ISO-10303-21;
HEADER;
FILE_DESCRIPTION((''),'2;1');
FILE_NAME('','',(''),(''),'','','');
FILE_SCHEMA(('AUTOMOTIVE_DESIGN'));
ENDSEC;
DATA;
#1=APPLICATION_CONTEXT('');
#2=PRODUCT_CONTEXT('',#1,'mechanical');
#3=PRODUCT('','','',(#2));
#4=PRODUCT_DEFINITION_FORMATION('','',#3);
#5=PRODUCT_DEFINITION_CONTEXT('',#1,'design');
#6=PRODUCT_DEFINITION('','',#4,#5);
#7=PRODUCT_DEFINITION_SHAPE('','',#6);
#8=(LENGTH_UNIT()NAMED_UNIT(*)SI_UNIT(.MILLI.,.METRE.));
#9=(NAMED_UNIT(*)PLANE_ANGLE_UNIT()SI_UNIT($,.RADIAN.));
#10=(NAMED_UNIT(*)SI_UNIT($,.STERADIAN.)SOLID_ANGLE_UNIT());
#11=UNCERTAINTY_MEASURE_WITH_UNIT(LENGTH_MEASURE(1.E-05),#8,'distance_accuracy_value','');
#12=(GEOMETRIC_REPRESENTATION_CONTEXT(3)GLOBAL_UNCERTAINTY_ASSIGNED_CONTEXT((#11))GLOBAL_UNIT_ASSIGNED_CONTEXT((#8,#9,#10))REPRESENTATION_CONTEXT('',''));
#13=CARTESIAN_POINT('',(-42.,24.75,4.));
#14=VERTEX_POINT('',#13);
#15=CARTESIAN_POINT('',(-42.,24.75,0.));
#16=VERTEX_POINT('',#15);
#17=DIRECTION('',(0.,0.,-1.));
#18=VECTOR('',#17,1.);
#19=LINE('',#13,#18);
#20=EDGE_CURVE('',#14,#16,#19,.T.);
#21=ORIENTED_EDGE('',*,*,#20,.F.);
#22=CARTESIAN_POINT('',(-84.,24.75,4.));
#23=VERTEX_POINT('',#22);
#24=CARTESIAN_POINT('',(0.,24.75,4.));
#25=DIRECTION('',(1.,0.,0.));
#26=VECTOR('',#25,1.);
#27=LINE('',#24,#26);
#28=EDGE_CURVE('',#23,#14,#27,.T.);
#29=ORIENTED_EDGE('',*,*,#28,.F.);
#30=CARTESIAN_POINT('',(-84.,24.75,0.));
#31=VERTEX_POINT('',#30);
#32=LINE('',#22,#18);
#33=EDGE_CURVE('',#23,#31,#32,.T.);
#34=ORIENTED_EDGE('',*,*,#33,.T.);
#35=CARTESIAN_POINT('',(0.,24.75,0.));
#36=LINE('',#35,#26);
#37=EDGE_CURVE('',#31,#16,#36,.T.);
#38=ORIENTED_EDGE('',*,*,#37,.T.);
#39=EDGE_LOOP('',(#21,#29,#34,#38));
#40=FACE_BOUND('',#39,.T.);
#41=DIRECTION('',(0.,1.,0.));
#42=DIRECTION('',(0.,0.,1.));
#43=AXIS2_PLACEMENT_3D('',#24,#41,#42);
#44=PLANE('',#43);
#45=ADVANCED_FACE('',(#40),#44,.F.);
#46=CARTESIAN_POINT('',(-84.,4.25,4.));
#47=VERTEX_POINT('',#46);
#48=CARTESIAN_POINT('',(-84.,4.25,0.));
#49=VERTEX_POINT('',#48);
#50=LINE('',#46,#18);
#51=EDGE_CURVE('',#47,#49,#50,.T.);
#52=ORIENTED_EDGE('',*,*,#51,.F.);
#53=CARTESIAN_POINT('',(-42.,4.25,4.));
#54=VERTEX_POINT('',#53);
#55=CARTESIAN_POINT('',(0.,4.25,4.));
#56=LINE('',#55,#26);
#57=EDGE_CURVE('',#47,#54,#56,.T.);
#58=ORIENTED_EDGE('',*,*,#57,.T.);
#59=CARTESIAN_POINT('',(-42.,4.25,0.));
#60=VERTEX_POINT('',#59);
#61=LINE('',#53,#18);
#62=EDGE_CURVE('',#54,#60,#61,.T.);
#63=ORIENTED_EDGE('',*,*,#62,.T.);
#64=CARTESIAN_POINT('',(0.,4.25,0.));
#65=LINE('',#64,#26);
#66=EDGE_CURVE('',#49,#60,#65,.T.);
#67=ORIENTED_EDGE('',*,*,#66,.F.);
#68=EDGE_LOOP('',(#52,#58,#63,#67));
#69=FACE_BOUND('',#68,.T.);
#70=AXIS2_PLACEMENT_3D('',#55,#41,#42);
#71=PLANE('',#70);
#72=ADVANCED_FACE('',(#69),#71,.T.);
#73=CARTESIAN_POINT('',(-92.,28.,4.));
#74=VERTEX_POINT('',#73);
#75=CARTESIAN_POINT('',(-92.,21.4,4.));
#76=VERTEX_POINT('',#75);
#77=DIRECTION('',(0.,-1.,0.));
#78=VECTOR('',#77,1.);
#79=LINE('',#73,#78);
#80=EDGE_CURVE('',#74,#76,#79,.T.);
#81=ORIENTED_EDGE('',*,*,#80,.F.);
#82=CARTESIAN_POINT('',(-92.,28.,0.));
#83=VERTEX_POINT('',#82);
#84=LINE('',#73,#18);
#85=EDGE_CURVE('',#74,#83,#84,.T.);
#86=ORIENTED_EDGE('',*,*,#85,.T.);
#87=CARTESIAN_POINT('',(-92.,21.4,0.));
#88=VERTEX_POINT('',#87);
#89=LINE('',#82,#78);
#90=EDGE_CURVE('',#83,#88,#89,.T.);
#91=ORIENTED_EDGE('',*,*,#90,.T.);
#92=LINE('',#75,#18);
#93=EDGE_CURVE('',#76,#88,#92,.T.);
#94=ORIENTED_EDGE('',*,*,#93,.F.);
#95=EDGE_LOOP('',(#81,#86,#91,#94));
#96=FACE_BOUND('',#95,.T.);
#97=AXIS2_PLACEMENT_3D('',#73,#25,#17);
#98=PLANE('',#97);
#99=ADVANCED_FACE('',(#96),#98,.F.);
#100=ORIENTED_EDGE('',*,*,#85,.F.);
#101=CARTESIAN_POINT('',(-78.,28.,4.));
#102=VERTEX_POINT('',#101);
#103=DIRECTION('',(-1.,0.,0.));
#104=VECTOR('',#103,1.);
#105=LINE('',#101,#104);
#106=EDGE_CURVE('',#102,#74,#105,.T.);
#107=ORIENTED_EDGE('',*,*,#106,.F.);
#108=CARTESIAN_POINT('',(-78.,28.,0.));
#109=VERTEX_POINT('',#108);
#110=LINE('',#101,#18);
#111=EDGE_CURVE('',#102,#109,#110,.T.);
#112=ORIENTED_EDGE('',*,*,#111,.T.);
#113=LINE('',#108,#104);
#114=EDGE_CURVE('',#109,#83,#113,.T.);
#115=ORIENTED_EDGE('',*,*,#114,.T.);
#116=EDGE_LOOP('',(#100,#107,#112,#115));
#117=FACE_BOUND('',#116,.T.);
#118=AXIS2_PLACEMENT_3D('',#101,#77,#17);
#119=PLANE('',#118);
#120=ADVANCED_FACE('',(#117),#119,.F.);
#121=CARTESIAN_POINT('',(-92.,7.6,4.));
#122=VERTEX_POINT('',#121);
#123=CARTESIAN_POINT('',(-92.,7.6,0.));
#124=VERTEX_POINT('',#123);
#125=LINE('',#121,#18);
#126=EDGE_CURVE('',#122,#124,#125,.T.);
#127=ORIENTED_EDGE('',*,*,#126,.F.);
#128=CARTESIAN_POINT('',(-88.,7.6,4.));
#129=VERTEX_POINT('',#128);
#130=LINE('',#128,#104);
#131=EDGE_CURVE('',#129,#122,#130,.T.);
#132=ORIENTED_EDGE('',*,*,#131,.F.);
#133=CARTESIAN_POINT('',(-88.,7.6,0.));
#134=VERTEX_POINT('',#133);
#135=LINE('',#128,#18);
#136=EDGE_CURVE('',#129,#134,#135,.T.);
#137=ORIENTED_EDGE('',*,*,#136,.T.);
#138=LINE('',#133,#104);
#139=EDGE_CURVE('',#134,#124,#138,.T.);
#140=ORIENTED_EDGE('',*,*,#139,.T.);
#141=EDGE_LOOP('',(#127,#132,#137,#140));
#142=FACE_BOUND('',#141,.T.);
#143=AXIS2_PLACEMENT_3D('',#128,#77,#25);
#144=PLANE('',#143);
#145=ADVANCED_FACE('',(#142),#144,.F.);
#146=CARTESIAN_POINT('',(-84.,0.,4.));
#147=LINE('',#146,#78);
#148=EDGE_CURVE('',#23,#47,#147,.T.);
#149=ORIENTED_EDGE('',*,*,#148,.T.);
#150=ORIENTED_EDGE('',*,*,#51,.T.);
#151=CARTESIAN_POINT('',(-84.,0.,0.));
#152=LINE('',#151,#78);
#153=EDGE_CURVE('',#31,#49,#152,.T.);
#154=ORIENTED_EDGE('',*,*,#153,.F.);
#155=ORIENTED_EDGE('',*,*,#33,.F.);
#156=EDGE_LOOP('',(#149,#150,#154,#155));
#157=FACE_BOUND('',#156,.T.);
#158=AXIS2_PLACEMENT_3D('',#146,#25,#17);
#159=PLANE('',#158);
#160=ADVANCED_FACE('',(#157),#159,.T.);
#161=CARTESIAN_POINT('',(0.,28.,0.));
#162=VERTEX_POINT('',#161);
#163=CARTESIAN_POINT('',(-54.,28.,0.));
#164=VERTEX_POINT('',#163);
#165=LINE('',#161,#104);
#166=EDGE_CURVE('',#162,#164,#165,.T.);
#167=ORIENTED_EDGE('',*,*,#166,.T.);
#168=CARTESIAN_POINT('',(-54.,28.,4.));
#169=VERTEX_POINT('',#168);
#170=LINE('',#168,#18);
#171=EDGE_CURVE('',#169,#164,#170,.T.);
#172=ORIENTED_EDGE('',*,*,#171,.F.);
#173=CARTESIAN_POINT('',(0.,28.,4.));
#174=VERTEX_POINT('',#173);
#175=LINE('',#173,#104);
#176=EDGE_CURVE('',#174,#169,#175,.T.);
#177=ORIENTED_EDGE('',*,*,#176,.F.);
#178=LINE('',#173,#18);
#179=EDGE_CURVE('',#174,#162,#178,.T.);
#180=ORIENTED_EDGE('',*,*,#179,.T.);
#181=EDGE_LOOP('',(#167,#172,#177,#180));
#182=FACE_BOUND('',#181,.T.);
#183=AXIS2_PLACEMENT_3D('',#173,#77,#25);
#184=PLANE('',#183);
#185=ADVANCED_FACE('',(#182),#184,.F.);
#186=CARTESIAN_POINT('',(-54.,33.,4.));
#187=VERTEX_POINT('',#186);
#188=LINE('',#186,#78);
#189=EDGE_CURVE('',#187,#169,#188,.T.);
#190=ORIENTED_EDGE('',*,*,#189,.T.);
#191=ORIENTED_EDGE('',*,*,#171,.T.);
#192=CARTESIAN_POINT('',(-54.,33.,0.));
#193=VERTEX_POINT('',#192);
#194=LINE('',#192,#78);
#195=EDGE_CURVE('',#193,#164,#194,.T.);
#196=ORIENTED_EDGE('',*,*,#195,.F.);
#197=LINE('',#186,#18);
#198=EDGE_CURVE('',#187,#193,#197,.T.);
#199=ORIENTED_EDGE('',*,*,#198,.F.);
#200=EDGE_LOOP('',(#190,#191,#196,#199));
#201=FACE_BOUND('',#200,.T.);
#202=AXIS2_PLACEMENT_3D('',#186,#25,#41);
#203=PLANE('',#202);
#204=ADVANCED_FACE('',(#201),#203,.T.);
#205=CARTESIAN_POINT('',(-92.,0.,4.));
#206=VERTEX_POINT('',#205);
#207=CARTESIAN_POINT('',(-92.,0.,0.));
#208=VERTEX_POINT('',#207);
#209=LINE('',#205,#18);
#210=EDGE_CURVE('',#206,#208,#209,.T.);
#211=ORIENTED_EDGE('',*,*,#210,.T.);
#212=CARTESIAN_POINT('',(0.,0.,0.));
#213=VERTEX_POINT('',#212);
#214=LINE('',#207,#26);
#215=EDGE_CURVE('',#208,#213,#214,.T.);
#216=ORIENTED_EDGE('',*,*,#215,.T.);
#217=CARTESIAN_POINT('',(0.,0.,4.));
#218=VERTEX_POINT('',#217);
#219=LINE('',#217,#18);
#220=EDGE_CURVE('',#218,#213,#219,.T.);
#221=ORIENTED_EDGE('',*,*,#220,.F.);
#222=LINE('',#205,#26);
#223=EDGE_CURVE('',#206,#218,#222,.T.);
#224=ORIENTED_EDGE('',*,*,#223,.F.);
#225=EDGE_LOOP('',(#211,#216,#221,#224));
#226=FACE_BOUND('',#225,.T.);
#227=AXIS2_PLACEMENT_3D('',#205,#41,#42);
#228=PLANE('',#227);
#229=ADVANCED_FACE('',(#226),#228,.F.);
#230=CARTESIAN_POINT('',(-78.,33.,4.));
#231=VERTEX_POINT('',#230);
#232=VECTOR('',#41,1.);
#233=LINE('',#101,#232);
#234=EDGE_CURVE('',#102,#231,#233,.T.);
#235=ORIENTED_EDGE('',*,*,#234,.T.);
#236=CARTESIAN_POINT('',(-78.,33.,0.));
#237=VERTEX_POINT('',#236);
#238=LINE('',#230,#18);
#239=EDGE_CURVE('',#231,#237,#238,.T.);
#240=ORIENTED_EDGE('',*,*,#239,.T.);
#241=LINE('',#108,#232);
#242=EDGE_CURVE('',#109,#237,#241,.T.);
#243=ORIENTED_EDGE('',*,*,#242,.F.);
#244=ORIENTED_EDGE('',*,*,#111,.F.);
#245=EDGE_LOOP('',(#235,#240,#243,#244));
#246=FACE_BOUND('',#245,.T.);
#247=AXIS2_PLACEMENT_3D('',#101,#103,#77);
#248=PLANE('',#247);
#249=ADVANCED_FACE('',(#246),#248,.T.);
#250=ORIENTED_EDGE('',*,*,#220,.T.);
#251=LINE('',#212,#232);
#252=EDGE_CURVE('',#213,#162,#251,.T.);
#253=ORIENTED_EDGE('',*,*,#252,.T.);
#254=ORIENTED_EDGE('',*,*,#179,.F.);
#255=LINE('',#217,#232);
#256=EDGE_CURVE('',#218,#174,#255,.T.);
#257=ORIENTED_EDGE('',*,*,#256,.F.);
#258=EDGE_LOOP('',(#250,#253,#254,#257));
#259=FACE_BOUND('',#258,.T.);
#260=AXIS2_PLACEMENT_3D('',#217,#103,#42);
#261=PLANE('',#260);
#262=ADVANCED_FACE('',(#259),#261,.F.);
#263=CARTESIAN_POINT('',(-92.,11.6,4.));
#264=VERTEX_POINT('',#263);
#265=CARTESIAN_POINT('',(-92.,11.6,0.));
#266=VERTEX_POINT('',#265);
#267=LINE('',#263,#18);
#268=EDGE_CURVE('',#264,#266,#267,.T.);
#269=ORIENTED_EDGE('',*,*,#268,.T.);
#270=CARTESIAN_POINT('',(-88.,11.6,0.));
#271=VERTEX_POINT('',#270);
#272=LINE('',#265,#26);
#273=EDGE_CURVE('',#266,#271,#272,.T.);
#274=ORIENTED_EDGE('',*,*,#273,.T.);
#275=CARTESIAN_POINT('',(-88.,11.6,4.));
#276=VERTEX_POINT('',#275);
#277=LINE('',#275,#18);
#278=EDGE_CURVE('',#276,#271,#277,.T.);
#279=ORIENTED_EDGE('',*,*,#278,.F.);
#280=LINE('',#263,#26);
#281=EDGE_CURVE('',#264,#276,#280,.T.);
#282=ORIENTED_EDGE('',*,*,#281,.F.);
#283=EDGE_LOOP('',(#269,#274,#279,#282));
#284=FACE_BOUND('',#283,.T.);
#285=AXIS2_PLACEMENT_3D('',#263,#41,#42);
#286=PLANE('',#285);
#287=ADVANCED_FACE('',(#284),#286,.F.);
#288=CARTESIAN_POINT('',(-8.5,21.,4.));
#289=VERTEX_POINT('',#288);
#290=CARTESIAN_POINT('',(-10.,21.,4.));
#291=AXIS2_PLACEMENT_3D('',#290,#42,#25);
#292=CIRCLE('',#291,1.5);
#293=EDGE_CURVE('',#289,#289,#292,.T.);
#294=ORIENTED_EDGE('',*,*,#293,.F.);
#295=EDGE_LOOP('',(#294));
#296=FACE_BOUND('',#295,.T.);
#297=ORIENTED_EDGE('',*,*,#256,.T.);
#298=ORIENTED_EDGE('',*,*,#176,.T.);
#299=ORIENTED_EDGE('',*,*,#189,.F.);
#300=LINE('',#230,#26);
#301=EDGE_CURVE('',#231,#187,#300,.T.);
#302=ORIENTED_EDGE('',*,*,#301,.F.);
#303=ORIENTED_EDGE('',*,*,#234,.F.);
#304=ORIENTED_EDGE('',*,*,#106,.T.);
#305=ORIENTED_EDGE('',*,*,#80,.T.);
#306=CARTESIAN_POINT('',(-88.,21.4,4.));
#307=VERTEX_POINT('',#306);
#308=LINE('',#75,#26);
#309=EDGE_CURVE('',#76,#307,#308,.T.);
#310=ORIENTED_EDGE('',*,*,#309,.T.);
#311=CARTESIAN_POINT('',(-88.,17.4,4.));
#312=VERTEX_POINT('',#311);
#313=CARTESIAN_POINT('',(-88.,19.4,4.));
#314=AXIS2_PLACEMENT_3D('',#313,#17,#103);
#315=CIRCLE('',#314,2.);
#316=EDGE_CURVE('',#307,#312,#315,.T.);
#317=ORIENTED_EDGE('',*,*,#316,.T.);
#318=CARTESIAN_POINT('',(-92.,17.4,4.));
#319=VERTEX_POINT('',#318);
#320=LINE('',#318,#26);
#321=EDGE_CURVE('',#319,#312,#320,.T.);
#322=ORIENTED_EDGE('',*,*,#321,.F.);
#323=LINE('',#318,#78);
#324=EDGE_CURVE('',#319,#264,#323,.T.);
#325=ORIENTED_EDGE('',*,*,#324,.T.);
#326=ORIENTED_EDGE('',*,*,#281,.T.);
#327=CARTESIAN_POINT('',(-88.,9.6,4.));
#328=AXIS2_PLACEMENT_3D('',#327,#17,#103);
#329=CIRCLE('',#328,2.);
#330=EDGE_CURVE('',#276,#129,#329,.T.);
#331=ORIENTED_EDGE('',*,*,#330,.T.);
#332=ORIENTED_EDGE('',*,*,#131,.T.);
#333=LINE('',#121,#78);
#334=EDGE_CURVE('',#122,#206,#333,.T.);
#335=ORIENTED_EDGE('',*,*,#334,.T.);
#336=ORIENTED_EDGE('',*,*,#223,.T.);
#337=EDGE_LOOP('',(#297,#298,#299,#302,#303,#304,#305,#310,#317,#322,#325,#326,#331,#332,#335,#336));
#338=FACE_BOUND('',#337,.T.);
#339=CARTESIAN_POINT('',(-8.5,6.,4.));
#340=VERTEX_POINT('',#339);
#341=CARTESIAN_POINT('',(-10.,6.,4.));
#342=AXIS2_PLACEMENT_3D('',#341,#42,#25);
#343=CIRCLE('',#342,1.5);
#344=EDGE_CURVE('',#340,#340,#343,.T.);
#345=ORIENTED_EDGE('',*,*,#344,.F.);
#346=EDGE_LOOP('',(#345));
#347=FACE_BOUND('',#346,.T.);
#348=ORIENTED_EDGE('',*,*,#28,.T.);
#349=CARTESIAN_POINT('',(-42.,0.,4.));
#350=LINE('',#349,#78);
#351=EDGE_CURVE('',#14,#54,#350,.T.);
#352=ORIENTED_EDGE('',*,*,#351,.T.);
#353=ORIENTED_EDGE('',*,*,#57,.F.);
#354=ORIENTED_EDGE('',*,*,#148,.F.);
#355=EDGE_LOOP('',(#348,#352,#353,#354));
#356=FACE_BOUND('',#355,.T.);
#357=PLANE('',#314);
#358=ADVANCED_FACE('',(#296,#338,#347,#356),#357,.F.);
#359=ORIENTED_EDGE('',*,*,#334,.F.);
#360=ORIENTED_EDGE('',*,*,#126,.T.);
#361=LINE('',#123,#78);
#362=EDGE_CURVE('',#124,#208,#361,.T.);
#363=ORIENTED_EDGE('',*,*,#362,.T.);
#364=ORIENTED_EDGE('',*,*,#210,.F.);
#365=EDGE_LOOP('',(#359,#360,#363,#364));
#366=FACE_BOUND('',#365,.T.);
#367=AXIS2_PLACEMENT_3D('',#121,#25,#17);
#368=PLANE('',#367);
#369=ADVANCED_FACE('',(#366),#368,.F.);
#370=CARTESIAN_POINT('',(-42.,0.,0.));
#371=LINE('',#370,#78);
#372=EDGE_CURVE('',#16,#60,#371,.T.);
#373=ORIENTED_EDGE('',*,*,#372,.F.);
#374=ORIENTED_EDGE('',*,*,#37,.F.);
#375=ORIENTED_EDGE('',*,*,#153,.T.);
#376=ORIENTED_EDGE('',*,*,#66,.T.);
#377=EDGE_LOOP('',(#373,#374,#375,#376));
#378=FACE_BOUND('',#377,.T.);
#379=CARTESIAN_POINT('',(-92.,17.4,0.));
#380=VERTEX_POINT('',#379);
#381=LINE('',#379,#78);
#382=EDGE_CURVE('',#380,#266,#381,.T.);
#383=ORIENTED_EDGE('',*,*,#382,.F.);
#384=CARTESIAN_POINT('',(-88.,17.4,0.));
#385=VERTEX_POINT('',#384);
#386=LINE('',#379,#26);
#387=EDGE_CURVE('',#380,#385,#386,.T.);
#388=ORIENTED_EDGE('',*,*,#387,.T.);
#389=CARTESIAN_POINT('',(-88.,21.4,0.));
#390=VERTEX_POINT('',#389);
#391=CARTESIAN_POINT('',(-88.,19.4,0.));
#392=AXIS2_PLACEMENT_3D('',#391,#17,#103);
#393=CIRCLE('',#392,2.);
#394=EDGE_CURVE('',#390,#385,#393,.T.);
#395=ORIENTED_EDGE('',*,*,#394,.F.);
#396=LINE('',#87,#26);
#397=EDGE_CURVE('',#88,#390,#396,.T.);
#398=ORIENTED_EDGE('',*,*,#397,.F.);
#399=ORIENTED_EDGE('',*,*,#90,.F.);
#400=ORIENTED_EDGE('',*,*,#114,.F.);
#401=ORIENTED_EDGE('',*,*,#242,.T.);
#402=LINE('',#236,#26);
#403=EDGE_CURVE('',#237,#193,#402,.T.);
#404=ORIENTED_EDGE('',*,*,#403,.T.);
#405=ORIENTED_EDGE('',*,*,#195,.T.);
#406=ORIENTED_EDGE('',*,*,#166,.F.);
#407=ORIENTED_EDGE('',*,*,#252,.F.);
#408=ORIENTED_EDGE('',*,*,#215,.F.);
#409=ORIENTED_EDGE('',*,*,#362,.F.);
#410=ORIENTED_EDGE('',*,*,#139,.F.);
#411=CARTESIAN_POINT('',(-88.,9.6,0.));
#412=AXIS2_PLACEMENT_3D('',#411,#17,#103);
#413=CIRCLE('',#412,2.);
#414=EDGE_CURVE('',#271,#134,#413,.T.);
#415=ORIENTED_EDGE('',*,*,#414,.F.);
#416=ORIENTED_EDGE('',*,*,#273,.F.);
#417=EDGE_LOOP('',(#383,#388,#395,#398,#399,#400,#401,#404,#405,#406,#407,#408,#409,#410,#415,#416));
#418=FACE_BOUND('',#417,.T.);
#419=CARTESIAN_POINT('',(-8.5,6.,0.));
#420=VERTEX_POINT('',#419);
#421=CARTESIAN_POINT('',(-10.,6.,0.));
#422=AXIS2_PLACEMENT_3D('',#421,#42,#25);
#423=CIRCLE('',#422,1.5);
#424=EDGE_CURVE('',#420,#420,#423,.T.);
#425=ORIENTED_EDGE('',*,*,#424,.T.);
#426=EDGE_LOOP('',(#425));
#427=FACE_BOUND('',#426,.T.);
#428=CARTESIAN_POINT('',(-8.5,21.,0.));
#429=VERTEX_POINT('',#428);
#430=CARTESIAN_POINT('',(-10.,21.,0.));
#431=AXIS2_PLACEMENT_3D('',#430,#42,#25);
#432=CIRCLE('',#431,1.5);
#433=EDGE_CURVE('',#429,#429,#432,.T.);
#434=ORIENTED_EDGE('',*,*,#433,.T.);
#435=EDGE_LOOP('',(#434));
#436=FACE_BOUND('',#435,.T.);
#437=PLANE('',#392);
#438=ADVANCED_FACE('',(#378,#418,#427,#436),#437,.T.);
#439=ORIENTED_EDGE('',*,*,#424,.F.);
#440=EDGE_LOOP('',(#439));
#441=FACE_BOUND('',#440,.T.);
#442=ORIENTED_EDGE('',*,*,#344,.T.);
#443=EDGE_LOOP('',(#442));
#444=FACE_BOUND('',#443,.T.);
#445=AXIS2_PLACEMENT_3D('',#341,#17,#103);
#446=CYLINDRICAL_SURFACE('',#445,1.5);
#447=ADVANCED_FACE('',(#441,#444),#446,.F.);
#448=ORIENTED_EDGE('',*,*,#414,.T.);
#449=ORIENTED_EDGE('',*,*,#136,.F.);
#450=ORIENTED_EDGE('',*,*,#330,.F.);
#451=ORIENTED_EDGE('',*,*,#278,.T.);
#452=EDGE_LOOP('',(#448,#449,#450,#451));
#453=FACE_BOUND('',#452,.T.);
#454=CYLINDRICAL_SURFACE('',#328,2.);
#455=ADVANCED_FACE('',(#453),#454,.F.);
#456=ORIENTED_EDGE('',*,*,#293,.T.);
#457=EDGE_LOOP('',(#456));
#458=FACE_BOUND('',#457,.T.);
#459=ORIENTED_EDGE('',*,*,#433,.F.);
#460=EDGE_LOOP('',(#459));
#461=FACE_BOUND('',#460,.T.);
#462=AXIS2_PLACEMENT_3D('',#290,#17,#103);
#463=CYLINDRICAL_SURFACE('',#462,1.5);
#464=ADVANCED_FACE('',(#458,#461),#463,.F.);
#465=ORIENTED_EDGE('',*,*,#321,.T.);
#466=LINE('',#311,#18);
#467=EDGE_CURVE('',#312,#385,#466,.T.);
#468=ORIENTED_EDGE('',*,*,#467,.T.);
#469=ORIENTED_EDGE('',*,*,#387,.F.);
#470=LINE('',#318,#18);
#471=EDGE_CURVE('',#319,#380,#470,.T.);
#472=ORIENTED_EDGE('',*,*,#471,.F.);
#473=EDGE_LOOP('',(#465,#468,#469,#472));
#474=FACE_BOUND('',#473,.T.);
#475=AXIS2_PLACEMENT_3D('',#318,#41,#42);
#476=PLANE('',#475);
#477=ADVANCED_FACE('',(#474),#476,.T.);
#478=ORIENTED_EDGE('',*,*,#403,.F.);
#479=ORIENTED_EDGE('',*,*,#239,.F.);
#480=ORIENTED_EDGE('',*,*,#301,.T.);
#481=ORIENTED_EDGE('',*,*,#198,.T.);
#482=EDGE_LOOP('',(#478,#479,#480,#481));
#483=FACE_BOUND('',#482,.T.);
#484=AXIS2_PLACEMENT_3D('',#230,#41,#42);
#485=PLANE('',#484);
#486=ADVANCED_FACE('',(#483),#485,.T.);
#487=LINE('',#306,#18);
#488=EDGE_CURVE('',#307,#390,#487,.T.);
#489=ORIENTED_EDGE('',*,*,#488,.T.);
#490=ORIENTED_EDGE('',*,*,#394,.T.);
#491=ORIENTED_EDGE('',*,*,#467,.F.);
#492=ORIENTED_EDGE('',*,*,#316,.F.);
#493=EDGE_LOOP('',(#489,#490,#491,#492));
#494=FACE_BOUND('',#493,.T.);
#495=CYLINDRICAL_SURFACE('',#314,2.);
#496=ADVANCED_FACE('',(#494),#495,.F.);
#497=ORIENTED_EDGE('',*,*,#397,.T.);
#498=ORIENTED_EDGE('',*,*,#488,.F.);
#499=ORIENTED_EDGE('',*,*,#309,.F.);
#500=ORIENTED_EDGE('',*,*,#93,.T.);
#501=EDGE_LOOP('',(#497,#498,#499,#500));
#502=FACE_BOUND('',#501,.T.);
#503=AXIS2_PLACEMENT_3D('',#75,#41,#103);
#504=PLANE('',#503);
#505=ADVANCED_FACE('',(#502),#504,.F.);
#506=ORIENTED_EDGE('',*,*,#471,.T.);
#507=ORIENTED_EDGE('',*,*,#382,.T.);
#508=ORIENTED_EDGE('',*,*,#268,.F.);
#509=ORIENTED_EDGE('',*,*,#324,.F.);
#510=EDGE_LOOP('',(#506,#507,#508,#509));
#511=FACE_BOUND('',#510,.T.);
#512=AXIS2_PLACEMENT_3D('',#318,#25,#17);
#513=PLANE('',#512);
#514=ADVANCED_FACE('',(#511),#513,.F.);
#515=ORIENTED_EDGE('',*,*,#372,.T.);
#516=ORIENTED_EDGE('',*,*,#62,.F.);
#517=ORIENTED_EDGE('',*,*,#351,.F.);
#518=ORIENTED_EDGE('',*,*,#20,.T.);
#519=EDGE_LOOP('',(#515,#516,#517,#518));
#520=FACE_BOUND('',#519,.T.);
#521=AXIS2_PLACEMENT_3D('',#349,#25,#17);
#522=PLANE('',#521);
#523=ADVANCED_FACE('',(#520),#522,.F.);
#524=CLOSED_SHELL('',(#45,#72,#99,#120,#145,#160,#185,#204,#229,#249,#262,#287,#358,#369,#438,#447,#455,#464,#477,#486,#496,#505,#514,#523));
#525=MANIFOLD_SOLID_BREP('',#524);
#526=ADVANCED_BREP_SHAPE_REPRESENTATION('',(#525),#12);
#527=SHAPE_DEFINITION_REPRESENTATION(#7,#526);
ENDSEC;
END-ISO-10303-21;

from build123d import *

# Parameters (mm, degrees)
SKETCH1_R           = 1.5
SKETCH1_W           = 42
SKETCH1_H           = 20.5
BOSS_EXTRUDE1_DEPTH = 4


with BuildPart() as part:
    # Sketch1 → Boss-Extrude1 (new body)
    with BuildSketch(Plane.XY):
        with BuildLine():
            Line((0, 0), (0, 28))
            Line((0, 28), (-54, 28))
            Line((-54, 28), (-54, 33))
            Line((-54, 33), (-78, 33))
            Line((-78, 33), (-78, 28))
            Line((-78, 28), (-92, 28))
            Line((-92, 28), (-92, 21.4))
            Line((-92, 21.4), (-88, 21.4))
            ThreePointArc((-88, 21.4), (-86, 19.4), (-88, 17.4))
            Line((-88, 17.4), (-92, 17.4))
            Line((-92, 17.4), (-92, 11.6))
            Line((-92, 11.6), (-88, 11.6))
            ThreePointArc((-88, 11.6), (-86, 9.6), (-88, 7.6))
            Line((-88, 7.6), (-92, 7.6))
            Line((-92, 7.6), (-92, 0))
            Line((-92, 0), (0, 0))
        make_face()
        with Locations((-10, 21)):
            Circle(SKETCH1_R, mode=Mode.SUBTRACT)
        with Locations((-10, 6)):
            Circle(SKETCH1_R, mode=Mode.SUBTRACT)
        with Locations((-63, 14.5)):
            Rectangle(SKETCH1_W, SKETCH1_H, mode=Mode.SUBTRACT)
    extrude(amount=BOSS_EXTRUDE1_DEPTH)


solid = part.part
